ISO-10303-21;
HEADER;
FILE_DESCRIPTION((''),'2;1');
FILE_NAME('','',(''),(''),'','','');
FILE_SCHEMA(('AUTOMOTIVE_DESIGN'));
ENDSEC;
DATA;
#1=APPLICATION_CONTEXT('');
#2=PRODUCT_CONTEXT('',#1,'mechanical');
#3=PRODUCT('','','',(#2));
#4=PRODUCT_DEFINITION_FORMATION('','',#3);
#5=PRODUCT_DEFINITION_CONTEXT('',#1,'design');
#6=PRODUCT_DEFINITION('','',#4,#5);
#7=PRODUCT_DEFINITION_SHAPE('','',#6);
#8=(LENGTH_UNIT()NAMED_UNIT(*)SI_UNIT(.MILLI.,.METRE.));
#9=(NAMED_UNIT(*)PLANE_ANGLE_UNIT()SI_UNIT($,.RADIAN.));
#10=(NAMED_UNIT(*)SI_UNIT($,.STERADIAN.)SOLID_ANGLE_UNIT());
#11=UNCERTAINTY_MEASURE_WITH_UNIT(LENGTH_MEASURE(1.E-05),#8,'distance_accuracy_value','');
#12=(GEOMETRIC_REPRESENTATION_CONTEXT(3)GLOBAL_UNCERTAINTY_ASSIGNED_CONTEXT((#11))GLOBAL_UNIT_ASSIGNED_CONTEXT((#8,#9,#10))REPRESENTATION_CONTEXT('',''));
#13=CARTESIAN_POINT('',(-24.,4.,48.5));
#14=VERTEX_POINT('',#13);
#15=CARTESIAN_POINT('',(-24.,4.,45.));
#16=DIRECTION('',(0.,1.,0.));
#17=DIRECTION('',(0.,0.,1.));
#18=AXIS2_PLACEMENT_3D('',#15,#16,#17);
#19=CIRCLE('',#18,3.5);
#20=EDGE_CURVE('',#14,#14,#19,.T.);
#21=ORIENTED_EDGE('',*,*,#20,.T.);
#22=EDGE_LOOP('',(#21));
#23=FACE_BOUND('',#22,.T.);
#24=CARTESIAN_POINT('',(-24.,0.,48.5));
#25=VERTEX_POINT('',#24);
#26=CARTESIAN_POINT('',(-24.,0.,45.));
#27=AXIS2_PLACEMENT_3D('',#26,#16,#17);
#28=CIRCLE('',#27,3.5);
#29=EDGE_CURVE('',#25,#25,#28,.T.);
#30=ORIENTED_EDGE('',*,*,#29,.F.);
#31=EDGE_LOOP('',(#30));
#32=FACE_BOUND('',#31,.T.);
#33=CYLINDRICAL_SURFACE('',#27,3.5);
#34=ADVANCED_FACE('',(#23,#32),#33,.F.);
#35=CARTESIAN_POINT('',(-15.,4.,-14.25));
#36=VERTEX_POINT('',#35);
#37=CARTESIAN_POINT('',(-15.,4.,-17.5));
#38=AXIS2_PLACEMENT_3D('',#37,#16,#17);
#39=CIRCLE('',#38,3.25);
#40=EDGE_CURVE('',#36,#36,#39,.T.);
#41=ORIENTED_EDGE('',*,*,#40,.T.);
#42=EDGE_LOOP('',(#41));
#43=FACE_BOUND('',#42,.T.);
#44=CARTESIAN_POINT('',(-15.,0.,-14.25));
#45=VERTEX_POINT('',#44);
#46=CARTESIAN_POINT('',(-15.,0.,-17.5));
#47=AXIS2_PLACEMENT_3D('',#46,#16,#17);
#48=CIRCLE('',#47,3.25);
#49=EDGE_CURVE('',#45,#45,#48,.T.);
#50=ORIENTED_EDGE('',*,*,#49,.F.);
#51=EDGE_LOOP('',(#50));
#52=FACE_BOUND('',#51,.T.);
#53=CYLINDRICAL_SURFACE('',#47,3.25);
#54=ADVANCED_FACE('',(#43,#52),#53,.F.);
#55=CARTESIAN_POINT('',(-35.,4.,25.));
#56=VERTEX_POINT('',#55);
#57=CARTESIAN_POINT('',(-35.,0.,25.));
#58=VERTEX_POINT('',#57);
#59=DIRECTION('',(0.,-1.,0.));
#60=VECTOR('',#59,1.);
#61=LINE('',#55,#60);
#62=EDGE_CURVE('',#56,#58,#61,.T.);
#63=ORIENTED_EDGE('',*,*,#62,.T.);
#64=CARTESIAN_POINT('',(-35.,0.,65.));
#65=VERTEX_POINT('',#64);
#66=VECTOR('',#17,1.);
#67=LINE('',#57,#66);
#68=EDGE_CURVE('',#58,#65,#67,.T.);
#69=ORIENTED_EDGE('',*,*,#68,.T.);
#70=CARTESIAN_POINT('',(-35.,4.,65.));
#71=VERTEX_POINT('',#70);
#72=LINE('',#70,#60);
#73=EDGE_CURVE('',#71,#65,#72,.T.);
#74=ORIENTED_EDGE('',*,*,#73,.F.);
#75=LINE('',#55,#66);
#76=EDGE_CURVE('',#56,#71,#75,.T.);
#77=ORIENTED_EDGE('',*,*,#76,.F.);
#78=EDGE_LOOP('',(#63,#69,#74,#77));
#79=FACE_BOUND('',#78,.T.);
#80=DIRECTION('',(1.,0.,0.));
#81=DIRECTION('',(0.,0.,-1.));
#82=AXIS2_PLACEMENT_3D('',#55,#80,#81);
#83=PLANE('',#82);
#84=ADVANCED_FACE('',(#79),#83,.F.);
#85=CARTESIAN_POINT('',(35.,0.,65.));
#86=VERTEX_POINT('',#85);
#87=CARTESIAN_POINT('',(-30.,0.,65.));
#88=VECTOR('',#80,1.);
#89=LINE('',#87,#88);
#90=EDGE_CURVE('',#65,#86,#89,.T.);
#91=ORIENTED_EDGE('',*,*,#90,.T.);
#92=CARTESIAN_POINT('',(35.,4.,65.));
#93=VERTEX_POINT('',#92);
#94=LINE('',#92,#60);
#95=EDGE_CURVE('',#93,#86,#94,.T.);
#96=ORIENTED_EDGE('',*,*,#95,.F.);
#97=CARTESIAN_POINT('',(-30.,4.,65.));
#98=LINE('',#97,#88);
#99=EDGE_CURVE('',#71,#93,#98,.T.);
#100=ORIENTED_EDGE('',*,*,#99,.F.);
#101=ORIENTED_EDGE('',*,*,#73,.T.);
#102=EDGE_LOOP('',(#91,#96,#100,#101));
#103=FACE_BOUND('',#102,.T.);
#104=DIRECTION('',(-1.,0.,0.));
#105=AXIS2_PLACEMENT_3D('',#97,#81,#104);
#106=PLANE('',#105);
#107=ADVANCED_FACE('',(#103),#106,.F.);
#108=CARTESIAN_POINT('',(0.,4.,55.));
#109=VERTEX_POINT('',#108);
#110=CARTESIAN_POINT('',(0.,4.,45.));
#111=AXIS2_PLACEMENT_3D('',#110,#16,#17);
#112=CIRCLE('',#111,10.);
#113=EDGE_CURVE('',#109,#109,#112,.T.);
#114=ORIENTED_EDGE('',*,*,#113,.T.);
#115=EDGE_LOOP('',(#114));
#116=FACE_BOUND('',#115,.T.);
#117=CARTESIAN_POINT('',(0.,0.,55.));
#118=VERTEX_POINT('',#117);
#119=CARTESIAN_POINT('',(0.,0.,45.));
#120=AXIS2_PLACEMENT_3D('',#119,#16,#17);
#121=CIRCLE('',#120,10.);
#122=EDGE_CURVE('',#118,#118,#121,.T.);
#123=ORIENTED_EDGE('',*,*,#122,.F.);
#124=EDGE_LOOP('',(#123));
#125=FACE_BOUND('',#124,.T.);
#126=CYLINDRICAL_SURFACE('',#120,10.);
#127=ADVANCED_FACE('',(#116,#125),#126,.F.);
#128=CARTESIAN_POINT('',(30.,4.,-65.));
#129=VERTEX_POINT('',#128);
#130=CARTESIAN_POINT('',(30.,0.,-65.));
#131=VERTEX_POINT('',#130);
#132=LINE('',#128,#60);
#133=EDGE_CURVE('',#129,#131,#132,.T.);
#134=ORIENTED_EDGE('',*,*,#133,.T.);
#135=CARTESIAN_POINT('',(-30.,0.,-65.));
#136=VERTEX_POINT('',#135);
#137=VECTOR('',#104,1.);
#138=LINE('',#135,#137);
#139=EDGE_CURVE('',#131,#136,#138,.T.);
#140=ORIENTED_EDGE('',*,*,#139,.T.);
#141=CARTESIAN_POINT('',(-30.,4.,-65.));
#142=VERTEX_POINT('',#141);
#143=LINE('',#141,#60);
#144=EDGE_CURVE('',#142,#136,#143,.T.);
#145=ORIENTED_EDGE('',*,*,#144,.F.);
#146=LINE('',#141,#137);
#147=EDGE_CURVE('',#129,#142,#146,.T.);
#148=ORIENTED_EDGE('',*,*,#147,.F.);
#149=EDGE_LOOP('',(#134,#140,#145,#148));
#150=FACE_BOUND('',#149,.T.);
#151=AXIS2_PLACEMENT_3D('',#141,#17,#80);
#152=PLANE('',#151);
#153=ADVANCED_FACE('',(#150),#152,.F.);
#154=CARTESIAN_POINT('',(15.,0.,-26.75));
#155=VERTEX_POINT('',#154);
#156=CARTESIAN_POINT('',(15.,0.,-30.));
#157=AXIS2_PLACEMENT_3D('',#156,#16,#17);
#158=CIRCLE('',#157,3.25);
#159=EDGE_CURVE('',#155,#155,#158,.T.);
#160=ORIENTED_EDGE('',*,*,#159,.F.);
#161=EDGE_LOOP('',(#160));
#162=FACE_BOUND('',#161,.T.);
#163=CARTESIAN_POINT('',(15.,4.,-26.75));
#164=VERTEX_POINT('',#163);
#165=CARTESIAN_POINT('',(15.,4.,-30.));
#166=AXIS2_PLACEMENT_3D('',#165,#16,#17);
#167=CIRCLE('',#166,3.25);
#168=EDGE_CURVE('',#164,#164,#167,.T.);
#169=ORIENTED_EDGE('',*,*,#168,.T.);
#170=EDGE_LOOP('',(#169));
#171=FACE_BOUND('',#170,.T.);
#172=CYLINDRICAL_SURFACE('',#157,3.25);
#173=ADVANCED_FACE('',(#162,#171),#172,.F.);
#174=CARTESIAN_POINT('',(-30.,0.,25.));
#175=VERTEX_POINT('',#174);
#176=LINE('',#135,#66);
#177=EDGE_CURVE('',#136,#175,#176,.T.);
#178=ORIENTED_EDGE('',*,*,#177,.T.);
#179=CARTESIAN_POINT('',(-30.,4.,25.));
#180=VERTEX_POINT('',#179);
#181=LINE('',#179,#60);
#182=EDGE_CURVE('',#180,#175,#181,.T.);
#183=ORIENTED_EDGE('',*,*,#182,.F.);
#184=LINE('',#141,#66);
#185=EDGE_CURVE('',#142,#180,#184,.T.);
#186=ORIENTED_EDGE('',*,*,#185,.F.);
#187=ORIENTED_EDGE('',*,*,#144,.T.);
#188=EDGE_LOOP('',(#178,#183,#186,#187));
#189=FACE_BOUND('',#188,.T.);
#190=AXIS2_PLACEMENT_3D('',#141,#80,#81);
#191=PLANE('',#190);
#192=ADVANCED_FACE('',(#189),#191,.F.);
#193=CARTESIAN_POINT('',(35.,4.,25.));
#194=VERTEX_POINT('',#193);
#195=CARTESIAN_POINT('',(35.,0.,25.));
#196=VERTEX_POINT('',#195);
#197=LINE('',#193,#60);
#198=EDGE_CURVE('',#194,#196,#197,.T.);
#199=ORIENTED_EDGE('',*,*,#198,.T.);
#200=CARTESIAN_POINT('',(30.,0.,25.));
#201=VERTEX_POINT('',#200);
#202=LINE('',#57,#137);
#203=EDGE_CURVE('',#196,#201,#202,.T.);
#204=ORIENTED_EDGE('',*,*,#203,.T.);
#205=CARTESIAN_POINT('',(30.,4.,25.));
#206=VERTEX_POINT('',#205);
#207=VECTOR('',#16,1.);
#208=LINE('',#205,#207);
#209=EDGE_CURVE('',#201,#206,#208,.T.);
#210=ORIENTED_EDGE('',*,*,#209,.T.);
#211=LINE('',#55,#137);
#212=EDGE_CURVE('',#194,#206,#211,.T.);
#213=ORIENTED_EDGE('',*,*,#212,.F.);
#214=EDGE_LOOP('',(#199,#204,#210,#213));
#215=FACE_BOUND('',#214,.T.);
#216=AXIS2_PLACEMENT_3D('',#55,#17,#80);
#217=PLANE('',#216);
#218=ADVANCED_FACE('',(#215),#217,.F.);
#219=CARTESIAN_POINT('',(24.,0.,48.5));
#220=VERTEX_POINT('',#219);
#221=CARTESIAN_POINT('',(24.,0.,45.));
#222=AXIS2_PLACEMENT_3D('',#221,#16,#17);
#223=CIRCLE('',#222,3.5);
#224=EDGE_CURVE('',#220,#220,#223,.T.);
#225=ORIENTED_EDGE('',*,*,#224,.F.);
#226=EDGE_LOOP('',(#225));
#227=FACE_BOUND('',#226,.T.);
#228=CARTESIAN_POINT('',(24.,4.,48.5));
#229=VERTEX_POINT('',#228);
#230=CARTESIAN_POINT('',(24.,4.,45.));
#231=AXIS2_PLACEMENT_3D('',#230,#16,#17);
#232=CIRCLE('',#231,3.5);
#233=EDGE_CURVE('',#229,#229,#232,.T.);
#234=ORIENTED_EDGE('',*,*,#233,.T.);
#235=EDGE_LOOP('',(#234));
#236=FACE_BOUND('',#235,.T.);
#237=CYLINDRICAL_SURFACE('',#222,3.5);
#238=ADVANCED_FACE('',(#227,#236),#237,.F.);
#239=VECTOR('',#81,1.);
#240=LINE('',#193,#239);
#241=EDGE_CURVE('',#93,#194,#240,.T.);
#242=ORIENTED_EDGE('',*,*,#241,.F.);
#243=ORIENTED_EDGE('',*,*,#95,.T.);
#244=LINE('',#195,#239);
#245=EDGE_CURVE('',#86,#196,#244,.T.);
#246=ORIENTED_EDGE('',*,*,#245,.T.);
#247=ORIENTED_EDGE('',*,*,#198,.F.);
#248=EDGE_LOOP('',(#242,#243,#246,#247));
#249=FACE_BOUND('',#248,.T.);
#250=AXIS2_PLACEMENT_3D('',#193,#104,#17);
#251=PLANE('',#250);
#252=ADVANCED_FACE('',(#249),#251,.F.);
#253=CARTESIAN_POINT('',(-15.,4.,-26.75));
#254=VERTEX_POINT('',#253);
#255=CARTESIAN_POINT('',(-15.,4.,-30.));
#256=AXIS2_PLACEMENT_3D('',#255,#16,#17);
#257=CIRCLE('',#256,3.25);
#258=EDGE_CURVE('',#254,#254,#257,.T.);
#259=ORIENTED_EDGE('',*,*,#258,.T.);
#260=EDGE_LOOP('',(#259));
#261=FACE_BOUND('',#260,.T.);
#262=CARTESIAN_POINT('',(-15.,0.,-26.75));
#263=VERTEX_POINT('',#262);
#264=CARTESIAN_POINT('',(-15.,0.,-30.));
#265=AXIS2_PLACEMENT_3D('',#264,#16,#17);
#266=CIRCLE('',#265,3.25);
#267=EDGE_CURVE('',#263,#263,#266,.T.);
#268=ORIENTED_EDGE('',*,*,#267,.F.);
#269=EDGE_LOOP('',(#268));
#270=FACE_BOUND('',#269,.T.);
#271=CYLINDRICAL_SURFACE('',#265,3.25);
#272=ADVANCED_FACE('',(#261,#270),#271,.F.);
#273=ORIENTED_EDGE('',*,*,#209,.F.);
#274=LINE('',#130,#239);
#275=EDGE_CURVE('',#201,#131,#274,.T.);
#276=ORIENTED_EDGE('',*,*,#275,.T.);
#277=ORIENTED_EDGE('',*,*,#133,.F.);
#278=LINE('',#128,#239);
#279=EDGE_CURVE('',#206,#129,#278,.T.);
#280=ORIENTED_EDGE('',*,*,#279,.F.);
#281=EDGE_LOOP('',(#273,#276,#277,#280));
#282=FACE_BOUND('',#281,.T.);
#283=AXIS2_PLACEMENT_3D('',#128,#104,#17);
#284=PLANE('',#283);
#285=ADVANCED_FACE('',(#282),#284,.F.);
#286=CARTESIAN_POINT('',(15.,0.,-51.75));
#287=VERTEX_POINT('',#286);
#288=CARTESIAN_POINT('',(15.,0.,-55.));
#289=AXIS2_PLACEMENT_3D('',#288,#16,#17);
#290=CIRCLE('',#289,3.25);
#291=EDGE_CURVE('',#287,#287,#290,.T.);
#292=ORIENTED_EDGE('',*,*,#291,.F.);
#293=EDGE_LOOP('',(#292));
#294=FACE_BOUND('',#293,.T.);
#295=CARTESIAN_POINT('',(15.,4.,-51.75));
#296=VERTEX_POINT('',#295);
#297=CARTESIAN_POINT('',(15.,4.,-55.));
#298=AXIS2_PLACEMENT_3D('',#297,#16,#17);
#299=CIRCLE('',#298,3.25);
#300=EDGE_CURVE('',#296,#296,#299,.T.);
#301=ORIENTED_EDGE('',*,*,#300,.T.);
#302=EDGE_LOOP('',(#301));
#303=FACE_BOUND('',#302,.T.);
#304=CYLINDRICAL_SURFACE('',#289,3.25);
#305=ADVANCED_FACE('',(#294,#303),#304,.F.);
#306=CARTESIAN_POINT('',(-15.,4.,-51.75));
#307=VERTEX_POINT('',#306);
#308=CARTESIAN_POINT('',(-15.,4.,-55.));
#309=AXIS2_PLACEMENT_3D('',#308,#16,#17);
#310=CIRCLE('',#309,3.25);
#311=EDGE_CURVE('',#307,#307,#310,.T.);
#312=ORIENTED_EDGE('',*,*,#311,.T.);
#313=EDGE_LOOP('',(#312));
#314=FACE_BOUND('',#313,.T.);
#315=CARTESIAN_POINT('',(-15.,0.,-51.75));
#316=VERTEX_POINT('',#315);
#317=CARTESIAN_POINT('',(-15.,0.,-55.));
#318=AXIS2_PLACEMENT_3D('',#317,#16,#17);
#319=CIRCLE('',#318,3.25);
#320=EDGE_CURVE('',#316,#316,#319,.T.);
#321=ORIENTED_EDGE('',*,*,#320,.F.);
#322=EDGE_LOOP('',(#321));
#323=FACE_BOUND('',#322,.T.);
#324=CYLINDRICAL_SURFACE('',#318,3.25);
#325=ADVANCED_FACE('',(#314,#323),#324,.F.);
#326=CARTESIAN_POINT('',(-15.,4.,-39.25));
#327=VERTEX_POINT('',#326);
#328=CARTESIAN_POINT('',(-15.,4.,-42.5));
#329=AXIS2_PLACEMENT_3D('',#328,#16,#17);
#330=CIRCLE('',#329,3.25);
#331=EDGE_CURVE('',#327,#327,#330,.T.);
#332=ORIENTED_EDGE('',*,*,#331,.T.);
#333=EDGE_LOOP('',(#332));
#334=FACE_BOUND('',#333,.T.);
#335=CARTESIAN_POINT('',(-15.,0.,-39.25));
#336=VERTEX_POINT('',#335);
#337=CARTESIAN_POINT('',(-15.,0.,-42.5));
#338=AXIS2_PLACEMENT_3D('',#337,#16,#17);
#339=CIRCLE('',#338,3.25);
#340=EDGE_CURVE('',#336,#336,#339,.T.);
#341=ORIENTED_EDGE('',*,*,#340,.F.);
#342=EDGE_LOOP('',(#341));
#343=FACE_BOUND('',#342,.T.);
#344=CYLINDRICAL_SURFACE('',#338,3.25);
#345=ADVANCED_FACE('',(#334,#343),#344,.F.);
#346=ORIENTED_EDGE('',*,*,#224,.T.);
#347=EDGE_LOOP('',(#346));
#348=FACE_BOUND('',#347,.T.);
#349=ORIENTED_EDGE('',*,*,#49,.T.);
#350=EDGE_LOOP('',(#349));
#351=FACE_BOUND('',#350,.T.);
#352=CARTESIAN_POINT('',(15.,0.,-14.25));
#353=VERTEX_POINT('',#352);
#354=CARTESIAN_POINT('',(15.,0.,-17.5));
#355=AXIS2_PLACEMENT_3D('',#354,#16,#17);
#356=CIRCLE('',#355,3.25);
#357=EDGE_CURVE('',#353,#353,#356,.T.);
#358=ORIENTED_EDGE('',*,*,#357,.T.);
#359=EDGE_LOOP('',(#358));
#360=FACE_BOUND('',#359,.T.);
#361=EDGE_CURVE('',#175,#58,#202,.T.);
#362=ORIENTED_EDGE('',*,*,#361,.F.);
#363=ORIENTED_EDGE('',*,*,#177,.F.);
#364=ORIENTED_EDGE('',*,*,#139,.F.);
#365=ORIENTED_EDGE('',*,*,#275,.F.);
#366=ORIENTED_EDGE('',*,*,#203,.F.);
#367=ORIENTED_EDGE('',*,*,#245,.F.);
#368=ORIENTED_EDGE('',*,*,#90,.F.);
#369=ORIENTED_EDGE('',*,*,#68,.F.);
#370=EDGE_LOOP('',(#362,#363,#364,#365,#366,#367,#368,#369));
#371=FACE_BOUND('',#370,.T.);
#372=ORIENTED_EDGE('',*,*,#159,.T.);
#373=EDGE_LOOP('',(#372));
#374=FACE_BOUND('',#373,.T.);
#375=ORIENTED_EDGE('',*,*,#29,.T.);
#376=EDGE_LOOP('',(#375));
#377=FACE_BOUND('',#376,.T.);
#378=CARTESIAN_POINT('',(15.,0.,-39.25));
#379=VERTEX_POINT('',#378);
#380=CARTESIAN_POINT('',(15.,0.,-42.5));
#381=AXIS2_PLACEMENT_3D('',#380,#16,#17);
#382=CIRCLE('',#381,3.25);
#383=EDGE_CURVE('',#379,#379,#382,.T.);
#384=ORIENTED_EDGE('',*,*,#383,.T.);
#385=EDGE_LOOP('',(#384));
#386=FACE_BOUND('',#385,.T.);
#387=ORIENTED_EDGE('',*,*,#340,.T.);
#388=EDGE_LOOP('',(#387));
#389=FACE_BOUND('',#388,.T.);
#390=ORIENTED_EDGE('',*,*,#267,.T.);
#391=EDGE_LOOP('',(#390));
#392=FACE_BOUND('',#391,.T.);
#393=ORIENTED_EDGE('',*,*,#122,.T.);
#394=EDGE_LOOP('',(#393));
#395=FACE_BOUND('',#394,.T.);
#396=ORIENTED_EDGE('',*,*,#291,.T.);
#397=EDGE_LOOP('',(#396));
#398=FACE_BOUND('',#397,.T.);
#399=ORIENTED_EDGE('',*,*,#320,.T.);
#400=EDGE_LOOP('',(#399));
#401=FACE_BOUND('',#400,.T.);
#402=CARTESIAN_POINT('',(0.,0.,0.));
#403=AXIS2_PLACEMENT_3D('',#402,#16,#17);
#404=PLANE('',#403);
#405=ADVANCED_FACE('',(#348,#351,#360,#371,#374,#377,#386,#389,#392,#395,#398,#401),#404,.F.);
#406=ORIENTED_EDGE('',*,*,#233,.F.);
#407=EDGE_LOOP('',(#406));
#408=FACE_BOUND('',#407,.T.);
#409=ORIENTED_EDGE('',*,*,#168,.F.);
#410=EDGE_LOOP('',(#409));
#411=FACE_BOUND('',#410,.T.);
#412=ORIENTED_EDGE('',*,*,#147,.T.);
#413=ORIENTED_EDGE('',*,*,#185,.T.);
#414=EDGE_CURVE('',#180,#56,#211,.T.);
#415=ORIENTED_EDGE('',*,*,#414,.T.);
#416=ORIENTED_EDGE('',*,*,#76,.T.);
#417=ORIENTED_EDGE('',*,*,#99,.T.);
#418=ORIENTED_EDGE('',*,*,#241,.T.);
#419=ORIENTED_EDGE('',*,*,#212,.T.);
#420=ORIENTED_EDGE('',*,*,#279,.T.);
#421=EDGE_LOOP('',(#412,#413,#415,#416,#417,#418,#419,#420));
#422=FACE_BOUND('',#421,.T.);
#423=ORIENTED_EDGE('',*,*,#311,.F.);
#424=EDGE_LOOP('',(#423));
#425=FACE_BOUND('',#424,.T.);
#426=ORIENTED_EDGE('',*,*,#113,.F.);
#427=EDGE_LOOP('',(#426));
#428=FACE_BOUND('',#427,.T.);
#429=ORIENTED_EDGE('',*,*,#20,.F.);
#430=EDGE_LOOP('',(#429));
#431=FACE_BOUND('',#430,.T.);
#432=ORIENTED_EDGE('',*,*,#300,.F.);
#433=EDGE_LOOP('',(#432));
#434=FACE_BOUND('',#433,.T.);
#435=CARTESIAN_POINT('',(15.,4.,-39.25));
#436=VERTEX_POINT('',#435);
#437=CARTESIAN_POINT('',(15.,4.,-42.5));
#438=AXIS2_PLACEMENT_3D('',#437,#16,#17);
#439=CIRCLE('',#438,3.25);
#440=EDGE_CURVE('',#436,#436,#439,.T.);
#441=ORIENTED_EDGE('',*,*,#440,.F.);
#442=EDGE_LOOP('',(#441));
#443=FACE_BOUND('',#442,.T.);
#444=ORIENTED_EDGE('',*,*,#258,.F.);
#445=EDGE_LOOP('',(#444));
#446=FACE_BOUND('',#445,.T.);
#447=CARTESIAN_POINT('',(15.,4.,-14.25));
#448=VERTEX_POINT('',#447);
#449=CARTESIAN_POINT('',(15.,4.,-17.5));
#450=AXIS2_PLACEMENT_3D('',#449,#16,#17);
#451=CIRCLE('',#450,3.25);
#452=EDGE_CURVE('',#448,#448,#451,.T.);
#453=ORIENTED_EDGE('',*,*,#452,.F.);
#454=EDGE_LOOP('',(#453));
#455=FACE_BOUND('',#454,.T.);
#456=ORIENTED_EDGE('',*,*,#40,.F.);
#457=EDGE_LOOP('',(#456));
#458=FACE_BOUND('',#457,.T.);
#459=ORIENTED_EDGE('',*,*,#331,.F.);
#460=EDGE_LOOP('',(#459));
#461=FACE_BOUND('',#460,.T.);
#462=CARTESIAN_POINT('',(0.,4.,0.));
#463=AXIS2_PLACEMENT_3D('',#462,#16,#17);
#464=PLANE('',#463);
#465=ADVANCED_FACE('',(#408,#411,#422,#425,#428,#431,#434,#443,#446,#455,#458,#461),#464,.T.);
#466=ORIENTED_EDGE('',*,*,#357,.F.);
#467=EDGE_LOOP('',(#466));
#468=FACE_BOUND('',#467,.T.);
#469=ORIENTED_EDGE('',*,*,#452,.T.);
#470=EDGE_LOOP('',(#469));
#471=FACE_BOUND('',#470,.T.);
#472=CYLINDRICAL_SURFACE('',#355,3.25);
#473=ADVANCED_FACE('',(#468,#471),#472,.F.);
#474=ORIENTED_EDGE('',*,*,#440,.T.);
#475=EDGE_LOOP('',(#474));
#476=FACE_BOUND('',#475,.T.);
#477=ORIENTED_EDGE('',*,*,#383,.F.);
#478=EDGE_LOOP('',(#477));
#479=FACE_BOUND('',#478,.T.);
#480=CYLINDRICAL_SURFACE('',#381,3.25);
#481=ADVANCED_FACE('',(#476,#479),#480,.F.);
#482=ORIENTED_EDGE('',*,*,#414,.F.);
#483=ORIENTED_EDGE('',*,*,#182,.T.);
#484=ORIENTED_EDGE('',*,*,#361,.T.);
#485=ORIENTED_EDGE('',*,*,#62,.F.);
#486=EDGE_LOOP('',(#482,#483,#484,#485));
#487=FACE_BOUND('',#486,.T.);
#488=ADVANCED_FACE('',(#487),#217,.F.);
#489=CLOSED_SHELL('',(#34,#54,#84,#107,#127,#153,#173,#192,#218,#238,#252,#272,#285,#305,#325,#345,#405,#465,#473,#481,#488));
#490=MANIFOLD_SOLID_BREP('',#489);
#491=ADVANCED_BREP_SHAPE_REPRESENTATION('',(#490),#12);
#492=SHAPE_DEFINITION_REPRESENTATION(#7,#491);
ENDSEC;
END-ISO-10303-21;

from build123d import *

# Parameters (mm, degrees)
SKETCH1_W           = 60
SKETCH1_H           = 130
BOSS_EXTRUDE1_DEPTH = 4
SKETCH2_W           = 70
SKETCH2_H           = 40
BOSS_EXTRUDE2_DEPTH = 4
SKETCH3_R           = 3.5
SKETCH3_R_2         = 10
CUT_EXTRUDE1_DEPTH  = 5
CUT_EXTRUDE2_START  = -5
SKETCH4_R           = 3.25
CUT_EXTRUDE2_DEPTH  = 6
LPATTERN1_COUNT     = 4
LPATTERN1_PITCH     = 12.5


with BuildPart() as part:
    # Sketch1 → Boss-Extrude1 (new body)
    with BuildSketch(Plane(origin=(0, 0, 0), x_dir=(1, 0, 0), z_dir=(0, 1, 0))):
        Rectangle(SKETCH1_W, SKETCH1_H)
    extrude(amount=BOSS_EXTRUDE1_DEPTH)

    # Sketch2 → Boss-Extrude2 (add)
    with BuildSketch(Plane(origin=(0, 0, 0), x_dir=(1, 0, 0), z_dir=(0, 1, 0))):
        with Locations((0, -45)):
            Rectangle(SKETCH2_W, SKETCH2_H)
    extrude(amount=BOSS_EXTRUDE2_DEPTH)

    # Sketch3 → Cut-Extrude1 (cut, through all)
    with BuildSketch(Plane(origin=(0, 4, 0), x_dir=(1, 0, 0), z_dir=(0, 1, 0))):
        with Locations((24, -45)):
            Circle(SKETCH3_R)
        with Locations((-24, -45)):
            Circle(SKETCH3_R)
        with Locations((0, -45)):
            Circle(SKETCH3_R_2)
    extrude(amount=-CUT_EXTRUDE1_DEPTH, mode=Mode.SUBTRACT)

    # Sketch4 → Cut-Extrude2 (cut)
    with BuildSketch(Plane(origin=(0, 4, 0), x_dir=(1, 0, 0), z_dir=(0, 1, 0)).offset(CUT_EXTRUDE2_START)):
        with Locations((15, 55)):
            Circle(SKETCH4_R)
        with Locations((-15, 55)):
            Circle(SKETCH4_R)
    cut_extrude2 = extrude(amount=CUT_EXTRUDE2_DEPTH, mode=Mode.SUBTRACT)

    # LPattern1: Cut-Extrude2 ×4
    with Locations(*[(0, 0, i * LPATTERN1_PITCH) for i in range(1, LPATTERN1_COUNT)]):
        add(cut_extrude2, mode=Mode.SUBTRACT)


solid = part.part
